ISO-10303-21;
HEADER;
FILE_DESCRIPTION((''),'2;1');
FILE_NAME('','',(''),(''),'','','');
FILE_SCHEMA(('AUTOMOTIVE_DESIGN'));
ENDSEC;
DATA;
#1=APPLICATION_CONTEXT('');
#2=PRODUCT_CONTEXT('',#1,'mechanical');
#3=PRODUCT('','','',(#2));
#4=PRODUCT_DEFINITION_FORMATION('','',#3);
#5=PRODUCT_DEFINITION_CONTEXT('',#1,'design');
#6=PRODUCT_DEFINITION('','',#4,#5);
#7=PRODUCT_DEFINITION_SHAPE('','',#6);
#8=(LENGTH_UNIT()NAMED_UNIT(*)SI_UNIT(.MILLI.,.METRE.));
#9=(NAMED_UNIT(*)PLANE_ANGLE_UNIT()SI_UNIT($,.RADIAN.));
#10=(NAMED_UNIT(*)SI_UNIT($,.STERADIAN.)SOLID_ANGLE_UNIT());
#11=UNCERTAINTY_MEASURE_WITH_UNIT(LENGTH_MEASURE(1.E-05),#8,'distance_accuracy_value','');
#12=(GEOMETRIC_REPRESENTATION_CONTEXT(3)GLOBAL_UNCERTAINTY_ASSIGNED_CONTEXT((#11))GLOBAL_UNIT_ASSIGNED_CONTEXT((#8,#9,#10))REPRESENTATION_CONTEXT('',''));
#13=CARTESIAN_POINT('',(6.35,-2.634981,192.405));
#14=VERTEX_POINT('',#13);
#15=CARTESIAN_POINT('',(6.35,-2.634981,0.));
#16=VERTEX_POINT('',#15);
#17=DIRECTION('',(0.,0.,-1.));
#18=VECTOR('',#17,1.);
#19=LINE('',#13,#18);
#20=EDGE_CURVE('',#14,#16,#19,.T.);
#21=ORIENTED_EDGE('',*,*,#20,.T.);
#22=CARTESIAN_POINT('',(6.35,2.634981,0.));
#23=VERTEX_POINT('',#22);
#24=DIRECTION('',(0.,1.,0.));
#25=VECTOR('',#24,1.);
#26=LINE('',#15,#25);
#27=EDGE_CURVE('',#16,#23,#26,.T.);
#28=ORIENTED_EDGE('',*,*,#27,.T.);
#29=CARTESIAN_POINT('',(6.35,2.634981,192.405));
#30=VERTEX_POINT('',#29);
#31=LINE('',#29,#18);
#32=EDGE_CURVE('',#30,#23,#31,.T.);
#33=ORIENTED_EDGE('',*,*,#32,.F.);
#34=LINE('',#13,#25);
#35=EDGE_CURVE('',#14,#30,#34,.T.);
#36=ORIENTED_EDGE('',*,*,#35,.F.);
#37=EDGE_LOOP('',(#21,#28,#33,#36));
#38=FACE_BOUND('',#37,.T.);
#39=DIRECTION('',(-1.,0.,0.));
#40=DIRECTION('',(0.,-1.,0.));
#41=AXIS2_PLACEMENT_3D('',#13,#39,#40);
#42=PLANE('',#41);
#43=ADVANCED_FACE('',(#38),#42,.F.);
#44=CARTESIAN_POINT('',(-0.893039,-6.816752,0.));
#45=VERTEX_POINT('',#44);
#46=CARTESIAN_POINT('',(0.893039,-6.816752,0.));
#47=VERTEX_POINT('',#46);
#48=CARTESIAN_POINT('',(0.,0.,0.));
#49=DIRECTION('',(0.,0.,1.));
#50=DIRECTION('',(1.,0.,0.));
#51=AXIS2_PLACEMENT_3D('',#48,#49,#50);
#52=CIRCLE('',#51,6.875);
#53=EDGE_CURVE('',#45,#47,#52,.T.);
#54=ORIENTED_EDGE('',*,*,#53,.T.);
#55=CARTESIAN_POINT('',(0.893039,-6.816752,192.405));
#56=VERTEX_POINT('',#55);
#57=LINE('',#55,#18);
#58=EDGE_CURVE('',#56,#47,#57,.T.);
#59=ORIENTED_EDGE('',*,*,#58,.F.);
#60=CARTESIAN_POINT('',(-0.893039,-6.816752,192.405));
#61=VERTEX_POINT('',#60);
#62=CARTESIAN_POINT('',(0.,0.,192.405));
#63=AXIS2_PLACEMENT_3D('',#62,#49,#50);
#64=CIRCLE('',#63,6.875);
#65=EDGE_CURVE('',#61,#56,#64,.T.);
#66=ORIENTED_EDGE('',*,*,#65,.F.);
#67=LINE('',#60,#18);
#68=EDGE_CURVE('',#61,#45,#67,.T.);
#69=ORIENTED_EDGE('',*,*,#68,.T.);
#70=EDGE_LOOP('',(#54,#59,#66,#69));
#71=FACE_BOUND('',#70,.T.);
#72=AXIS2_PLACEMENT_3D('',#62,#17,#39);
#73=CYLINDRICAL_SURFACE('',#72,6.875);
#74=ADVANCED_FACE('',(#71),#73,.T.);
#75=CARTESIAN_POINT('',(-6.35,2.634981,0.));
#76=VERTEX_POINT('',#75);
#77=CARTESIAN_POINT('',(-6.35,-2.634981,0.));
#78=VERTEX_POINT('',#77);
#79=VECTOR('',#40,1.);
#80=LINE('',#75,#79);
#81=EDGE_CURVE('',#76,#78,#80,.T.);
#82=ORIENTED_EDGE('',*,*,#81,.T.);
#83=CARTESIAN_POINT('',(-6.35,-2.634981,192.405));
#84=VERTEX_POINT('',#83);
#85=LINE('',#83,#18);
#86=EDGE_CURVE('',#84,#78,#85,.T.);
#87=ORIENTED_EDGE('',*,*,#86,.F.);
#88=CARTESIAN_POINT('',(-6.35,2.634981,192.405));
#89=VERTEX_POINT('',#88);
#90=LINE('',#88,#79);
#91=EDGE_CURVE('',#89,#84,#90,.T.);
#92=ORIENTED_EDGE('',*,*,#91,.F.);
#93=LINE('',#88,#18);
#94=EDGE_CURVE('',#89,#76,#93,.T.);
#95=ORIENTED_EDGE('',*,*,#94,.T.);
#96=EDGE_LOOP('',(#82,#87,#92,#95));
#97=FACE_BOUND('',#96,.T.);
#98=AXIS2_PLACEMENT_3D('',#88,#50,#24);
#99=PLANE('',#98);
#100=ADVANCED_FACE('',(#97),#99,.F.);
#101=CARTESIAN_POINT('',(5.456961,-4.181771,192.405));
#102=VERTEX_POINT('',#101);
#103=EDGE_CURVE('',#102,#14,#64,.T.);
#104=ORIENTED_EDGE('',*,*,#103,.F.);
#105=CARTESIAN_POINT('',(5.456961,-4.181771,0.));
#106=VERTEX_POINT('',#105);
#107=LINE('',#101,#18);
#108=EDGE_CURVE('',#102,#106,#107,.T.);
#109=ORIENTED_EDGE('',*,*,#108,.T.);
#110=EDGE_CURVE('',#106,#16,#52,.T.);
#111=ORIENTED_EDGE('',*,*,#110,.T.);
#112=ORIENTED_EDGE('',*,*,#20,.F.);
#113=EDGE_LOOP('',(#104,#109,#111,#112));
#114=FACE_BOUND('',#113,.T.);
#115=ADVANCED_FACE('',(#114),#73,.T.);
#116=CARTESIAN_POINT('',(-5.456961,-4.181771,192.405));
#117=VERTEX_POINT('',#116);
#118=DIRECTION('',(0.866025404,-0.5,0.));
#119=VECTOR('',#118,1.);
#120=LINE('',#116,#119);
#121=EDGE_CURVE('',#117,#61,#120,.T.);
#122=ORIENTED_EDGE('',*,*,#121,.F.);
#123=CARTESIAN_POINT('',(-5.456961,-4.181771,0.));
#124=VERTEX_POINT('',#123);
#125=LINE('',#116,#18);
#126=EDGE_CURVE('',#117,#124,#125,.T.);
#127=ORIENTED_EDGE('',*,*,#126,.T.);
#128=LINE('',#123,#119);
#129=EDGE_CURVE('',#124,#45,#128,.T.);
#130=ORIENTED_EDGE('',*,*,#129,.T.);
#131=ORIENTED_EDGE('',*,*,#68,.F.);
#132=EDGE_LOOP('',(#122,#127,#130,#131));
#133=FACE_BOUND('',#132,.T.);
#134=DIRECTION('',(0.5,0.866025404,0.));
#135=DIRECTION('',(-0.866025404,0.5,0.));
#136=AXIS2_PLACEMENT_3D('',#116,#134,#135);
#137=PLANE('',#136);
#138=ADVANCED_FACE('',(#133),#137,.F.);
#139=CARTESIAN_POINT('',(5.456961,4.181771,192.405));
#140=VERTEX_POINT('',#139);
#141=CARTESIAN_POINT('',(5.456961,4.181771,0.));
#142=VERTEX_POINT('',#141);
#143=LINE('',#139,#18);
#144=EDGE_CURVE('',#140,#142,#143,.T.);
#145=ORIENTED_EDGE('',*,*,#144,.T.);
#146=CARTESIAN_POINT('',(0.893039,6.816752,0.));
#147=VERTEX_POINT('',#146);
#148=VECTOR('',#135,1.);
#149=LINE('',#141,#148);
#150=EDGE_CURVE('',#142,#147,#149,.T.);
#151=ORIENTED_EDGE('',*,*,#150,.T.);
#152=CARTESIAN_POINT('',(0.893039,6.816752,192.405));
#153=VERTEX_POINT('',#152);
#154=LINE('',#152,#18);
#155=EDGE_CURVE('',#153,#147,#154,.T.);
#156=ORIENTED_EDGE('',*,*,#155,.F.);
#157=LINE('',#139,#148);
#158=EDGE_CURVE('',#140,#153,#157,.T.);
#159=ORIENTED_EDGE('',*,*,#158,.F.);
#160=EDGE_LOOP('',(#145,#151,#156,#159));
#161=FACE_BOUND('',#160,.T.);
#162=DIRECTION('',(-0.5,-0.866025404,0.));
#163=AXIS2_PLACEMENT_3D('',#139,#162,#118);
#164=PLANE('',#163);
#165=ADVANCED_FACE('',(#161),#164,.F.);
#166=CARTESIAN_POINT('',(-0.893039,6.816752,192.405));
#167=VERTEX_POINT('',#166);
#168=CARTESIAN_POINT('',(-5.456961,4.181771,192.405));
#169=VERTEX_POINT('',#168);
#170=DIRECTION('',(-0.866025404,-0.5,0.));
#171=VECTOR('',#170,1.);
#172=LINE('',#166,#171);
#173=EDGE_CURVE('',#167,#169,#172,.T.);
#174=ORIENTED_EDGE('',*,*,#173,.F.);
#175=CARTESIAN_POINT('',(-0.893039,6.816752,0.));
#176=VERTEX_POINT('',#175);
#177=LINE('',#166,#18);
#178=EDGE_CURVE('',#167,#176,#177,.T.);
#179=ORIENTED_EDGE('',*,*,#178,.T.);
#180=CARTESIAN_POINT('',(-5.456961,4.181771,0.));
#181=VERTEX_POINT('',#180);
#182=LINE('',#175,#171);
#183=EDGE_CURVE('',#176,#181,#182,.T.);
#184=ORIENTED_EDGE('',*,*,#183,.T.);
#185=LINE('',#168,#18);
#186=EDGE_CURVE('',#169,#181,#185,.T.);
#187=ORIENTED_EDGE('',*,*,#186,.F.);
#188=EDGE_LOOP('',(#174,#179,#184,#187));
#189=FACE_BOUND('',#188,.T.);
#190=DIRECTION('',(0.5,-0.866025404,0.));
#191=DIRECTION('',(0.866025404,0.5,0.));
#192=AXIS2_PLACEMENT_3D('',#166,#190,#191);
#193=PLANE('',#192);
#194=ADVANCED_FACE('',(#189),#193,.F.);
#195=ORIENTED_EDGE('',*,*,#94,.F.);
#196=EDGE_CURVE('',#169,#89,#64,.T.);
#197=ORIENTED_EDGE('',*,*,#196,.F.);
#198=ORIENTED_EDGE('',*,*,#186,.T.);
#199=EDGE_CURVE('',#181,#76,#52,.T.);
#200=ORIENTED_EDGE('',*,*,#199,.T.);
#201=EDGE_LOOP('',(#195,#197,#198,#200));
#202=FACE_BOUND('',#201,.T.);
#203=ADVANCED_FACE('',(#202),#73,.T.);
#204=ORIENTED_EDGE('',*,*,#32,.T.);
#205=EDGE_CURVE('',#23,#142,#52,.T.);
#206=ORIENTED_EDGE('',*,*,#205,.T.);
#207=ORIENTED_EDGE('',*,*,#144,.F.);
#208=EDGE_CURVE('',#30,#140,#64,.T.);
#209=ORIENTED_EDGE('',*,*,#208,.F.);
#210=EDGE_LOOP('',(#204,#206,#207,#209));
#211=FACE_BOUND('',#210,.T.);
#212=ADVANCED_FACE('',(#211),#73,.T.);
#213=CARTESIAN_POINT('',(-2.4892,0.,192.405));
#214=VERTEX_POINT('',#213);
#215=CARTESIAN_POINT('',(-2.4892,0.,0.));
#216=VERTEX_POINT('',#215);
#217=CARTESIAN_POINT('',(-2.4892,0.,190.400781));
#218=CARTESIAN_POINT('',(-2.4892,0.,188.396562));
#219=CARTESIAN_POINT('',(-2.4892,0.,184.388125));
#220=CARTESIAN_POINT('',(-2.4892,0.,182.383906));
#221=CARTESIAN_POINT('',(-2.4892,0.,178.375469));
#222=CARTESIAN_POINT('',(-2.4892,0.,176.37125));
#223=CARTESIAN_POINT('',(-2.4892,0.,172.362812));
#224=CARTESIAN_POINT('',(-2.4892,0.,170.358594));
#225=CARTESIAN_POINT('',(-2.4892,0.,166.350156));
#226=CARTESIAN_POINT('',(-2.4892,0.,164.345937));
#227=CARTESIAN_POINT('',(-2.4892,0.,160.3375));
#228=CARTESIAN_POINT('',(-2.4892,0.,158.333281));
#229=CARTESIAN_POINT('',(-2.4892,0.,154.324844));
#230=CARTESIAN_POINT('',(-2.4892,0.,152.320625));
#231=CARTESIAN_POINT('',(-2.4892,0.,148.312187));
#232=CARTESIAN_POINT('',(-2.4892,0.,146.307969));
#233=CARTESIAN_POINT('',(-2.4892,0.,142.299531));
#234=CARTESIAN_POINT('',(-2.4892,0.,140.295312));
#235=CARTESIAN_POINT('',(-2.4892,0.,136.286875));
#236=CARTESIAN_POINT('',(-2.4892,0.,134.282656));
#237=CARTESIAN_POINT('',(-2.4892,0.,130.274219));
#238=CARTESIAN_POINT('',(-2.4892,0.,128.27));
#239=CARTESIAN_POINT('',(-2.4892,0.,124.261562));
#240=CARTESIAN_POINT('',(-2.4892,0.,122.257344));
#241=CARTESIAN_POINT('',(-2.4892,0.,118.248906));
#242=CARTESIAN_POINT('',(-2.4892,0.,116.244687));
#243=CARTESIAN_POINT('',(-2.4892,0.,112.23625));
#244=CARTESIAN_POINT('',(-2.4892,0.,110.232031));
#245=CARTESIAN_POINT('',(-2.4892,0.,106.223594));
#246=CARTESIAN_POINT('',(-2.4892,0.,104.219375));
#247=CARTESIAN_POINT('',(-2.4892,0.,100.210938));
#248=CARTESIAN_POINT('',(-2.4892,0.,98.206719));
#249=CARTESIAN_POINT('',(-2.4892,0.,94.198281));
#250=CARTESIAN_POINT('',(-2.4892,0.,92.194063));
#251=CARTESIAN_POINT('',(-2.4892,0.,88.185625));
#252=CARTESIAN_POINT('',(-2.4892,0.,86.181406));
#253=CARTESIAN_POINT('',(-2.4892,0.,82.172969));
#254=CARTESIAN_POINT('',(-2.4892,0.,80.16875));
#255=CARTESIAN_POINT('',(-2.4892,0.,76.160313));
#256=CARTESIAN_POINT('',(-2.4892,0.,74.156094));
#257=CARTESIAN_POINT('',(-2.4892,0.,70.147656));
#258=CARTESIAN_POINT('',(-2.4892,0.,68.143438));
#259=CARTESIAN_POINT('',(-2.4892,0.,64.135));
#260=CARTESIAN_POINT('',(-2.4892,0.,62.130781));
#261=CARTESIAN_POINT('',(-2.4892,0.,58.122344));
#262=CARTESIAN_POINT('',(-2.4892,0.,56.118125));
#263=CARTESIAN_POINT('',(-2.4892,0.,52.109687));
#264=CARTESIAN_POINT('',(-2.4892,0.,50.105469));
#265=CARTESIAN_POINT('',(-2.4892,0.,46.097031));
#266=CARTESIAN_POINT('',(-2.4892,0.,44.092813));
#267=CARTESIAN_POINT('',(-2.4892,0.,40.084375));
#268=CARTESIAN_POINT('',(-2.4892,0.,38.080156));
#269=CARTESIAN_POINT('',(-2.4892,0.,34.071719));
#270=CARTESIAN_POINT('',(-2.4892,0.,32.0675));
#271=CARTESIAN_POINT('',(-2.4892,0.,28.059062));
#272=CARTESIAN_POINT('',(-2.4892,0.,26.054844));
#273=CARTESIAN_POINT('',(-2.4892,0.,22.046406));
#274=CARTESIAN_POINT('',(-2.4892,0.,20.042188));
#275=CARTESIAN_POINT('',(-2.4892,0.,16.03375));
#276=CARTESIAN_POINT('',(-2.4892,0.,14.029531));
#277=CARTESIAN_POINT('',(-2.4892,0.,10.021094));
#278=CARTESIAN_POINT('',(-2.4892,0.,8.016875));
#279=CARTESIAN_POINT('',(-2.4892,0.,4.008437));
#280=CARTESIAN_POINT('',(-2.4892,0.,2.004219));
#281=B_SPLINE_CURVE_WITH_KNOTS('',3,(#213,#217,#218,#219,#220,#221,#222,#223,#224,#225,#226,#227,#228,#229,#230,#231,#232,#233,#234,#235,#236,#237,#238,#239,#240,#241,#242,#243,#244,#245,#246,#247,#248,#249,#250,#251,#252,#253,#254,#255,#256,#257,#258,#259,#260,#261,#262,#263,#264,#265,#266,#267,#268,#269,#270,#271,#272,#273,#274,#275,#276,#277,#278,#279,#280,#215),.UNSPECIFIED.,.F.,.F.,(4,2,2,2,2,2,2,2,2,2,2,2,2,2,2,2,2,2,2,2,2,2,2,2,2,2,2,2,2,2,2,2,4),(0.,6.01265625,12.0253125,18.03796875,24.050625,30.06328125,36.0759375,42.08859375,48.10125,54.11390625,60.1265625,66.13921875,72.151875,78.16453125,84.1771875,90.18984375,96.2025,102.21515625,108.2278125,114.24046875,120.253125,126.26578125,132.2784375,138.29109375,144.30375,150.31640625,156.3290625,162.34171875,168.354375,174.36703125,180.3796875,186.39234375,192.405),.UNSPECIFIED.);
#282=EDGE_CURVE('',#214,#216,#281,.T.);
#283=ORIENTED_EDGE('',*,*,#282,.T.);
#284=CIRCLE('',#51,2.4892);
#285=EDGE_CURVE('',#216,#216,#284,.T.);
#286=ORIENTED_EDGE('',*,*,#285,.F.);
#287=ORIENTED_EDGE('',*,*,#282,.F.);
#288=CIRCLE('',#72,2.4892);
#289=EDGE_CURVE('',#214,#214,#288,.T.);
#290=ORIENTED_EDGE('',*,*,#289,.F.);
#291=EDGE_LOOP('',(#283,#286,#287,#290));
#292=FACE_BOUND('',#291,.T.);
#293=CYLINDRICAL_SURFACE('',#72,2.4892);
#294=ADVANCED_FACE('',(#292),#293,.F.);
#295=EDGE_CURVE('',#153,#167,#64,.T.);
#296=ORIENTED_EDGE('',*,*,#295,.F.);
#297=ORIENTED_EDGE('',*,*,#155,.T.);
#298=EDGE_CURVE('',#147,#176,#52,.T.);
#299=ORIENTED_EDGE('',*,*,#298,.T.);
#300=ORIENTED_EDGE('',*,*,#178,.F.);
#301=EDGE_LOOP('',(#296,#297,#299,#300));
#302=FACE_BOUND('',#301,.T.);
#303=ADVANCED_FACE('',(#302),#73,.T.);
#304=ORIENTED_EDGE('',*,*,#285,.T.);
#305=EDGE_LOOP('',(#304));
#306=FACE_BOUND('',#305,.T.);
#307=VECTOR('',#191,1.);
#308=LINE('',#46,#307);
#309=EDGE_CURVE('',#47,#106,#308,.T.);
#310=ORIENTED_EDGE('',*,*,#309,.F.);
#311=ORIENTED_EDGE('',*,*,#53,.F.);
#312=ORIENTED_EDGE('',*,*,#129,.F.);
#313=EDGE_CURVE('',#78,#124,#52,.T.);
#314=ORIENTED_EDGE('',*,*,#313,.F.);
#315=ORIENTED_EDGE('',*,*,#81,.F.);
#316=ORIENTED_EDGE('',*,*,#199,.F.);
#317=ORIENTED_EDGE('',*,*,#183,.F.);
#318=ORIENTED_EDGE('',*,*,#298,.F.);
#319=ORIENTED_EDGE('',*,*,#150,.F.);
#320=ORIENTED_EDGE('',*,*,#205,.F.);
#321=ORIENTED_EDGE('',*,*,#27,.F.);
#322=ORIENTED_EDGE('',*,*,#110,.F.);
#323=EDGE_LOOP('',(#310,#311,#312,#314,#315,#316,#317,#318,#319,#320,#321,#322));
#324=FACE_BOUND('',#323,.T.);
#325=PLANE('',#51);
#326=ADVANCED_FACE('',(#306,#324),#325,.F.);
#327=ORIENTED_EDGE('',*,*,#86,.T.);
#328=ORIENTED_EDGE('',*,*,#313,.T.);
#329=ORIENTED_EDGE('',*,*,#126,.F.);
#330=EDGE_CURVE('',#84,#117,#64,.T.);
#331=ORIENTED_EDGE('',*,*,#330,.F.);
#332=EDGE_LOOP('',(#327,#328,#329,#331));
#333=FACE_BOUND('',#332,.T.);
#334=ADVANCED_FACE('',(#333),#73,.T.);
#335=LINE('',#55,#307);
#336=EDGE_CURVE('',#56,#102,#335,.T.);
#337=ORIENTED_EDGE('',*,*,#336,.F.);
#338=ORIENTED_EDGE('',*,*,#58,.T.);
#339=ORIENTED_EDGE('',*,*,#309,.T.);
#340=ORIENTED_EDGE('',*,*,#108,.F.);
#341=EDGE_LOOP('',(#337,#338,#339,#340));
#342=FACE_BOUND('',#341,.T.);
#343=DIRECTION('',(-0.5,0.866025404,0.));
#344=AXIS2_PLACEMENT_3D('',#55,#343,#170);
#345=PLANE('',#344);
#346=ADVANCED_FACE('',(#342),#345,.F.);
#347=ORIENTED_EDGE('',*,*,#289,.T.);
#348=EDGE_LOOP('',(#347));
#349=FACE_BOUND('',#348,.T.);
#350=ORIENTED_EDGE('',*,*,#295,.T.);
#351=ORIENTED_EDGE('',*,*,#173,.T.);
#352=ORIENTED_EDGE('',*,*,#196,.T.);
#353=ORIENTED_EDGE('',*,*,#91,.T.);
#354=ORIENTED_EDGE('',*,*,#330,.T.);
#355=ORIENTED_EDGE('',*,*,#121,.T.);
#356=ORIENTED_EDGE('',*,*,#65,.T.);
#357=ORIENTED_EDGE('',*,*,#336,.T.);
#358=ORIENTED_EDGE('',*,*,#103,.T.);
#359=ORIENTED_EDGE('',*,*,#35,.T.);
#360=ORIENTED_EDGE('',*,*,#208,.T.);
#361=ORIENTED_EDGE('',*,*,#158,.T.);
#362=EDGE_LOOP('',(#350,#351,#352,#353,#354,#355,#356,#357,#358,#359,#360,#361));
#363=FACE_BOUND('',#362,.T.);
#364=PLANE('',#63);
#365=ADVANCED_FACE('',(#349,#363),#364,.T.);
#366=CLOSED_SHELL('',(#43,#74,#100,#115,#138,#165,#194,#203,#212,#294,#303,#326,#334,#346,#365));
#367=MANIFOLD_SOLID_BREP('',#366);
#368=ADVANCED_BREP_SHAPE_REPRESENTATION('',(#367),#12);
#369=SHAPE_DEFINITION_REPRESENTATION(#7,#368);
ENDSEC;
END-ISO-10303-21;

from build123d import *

# Parameters (mm, degrees)
BOSS_EXTRUDE1_DEPTH     = 192.405
CUT_EXTRUDE1_DEPTH      = 193.632479478
CUT_EXTRUDE1_DEPTH_BACK = 193.632479478
SKETCH2_R               = 2.4892


with BuildPart() as part:
    # Sketch1 → Boss-Extrude1 (new body)
    with BuildSketch(Plane.XY):
        with BuildLine():
            Line((-0.893039494, 6.816751826), (-5.456960506, 4.181770802))
            ThreePointArc((-5.456960506, 4.181770802), (-5.953924651, 3.4375), (-6.35, 2.634981025))
            Line((-6.35, 2.634981025), (-6.35, -2.634981025))
            ThreePointArc((-6.35, -2.634981025), (-5.953924651, -3.4375), (-5.456960506, -4.181770802))
            Line((-5.456960506, -4.181770802), (-0.893039494, -6.816751826))
            ThreePointArc((-0.893039494, -6.816751826), (0, -6.875), (0.893039494, -6.816751826))
            Line((0.893039494, -6.816751826), (5.456960506, -4.181770802))
            ThreePointArc((5.456960506, -4.181770802), (5.953924651, -3.4375), (6.35, -2.634981025))
            Line((6.35, -2.634981025), (6.35, 2.634981025))
            ThreePointArc((6.35, 2.634981025), (5.953924651, 3.4375), (5.456960506, 4.181770802))
            Line((5.456960506, 4.181770802), (0.893039494, 6.816751826))
            ThreePointArc((0.893039494, 6.816751826), (0, 6.875), (-0.893039494, 6.816751826))
        make_face()
    extrude(amount=BOSS_EXTRUDE1_DEPTH)

    # Sketch2 → Cut-Extrude1 (cut, two sides: drawn at the far end of the back side and taken through both)
    with BuildSketch(Plane(origin=(0, 0, 0), x_dir=(-1, 0, 0), z_dir=(0, 0, -1)).offset(-CUT_EXTRUDE1_DEPTH_BACK)):
        Circle(SKETCH2_R)
    extrude(amount=CUT_EXTRUDE1_DEPTH + CUT_EXTRUDE1_DEPTH_BACK, mode=Mode.SUBTRACT)


solid = part.part
